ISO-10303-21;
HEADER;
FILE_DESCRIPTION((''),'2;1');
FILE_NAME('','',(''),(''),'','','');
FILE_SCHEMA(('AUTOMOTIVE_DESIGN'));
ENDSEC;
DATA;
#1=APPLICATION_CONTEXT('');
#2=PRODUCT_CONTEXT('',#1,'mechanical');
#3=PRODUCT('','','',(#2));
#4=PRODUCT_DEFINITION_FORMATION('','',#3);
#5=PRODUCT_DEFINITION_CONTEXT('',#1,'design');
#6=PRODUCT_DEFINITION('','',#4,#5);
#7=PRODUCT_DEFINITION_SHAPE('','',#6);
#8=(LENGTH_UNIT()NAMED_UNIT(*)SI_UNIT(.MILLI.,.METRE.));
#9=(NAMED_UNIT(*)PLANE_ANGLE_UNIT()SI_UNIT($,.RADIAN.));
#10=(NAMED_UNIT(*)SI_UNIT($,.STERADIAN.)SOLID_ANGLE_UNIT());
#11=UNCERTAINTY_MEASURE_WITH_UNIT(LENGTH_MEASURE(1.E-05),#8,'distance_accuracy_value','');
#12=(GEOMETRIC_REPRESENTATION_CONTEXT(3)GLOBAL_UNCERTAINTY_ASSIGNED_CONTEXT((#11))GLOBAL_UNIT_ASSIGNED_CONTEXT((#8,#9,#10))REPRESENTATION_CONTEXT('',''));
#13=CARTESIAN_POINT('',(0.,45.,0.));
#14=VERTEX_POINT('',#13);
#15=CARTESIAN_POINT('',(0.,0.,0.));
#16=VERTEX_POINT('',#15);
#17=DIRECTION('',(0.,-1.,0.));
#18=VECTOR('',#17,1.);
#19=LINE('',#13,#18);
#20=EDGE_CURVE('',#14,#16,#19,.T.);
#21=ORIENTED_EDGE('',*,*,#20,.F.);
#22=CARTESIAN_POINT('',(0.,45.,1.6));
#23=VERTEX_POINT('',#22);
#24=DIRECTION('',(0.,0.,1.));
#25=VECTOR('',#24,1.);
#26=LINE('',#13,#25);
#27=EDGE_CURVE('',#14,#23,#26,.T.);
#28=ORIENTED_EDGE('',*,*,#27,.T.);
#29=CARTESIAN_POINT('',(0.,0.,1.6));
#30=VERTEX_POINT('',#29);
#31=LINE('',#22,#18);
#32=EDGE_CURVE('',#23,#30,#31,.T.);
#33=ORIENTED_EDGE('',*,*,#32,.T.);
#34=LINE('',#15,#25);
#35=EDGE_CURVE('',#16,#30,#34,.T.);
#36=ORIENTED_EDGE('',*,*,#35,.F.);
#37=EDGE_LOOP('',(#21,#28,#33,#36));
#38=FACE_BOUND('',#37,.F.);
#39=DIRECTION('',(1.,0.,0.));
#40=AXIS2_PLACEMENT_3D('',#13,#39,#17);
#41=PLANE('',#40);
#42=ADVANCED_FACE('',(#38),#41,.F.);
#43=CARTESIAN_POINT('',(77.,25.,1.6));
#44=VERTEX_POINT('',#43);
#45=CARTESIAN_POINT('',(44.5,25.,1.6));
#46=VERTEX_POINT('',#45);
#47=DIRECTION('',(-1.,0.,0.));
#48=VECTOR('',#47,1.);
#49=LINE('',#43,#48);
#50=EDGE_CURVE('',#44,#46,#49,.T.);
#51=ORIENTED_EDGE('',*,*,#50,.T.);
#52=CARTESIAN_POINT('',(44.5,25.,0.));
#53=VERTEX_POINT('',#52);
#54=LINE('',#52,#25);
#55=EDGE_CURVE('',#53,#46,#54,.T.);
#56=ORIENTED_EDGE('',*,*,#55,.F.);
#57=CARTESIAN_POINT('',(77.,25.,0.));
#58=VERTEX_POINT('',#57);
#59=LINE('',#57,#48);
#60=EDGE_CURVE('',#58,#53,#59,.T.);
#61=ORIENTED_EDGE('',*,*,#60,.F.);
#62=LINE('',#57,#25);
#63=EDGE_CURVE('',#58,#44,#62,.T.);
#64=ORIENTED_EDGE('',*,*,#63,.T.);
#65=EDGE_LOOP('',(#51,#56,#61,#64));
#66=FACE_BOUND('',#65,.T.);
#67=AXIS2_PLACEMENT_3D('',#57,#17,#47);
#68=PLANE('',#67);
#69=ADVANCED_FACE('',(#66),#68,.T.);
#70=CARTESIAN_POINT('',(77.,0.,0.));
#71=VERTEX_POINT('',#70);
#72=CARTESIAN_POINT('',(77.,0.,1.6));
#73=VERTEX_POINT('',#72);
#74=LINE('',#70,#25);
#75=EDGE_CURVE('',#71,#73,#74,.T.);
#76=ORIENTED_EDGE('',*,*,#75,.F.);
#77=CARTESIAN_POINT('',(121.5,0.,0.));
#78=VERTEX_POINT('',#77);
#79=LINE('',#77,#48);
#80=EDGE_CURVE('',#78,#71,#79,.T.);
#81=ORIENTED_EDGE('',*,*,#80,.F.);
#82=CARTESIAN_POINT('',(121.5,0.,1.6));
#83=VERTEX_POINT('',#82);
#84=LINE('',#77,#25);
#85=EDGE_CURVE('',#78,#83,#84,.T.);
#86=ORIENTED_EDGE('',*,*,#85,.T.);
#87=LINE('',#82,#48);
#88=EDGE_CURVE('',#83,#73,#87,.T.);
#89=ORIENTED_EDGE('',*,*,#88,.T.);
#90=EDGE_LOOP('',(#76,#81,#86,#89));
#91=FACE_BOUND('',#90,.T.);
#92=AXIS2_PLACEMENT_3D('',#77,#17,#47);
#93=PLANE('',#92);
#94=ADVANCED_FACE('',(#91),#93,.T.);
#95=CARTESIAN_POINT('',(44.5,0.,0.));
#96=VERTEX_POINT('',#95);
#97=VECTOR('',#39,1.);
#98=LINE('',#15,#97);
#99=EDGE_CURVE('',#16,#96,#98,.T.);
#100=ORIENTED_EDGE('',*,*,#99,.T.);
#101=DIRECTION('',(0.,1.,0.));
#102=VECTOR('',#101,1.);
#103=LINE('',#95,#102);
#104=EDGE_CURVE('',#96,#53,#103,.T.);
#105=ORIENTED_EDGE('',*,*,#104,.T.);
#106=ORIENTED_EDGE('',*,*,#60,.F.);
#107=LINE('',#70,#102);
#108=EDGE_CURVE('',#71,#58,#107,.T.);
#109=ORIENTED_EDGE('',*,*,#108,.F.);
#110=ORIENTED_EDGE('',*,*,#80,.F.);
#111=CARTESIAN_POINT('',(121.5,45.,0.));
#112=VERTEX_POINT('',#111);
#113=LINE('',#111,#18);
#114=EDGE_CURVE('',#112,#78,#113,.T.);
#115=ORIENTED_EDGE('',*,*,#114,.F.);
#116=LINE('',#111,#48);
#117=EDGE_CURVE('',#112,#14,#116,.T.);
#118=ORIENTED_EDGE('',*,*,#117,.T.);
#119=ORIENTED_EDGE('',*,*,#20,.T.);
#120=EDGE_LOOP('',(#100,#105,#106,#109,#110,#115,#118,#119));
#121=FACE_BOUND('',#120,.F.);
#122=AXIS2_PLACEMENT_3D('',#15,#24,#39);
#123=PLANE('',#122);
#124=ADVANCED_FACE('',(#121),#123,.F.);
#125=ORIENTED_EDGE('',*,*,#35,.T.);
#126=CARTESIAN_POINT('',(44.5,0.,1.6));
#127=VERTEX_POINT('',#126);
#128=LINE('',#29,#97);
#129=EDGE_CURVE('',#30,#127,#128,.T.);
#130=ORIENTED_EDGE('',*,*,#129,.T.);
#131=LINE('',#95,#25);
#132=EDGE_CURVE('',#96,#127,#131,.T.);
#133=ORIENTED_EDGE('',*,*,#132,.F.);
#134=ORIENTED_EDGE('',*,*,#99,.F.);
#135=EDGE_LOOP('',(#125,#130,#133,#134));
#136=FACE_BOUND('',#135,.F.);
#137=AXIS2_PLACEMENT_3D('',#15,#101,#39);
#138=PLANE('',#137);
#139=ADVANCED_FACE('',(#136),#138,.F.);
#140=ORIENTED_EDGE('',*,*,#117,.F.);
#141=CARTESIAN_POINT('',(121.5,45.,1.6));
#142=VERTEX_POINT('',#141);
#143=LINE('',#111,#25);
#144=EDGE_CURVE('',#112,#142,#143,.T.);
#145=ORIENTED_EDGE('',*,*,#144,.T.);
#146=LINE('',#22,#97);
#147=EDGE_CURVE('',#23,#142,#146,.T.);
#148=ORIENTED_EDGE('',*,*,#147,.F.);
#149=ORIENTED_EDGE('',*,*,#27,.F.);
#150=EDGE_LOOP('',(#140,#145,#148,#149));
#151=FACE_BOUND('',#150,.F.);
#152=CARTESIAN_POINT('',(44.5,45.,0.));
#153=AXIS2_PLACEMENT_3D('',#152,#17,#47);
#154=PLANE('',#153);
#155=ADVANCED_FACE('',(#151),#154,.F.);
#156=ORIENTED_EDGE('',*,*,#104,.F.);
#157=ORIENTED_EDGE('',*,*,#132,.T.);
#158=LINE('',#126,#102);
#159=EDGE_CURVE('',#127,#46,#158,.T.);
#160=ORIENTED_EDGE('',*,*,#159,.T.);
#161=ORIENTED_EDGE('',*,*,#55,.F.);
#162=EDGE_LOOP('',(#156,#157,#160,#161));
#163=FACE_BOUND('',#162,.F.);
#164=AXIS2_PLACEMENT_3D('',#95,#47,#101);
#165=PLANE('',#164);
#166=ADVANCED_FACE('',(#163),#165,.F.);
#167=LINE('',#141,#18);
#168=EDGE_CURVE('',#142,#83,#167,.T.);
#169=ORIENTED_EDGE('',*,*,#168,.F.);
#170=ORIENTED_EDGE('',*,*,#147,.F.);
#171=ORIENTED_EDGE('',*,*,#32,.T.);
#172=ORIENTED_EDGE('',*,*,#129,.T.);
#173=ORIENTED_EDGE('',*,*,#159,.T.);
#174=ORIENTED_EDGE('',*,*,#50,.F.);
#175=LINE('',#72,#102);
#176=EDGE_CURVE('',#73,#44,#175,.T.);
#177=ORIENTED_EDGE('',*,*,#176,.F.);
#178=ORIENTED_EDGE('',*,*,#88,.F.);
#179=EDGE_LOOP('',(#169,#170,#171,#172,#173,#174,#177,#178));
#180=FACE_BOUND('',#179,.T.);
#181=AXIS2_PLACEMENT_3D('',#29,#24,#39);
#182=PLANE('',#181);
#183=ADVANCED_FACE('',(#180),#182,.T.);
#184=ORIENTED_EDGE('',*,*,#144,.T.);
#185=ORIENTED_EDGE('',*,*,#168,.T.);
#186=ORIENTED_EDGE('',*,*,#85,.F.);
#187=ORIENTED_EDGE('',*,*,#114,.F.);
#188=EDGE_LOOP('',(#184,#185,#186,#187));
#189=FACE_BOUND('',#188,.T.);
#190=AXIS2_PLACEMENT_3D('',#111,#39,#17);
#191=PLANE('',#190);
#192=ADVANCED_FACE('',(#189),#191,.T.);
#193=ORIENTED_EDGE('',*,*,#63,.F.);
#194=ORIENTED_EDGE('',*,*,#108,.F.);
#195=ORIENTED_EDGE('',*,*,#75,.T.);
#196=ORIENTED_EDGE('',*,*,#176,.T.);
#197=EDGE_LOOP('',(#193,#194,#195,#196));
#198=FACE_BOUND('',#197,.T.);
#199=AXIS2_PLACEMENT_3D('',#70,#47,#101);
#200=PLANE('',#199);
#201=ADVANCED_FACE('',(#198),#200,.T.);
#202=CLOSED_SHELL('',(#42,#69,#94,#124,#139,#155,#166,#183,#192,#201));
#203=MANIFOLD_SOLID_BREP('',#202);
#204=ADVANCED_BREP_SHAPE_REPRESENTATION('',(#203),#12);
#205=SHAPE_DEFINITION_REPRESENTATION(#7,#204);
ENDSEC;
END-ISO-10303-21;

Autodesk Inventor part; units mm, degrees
ref_plane "YZ Plane" through (0, 0, 0) normal (1, 0, 0) x (0, 1, 0)
ref_plane "XZ Plane" through (0, 0, 0) normal (0, 1, 0) x (-1, 0, 0)
ref_plane "XY Plane" through (0, 0, 0) normal (0, 0, 1) x (1, 0, 0)
sketch "Sketch1" plane through (0, 0, 0) normal (0, 0, 1) x (1, 0, 0)
  line L0 (0, 0) -> (44.5, 0)
  line L1 (44.5, 0) -> (44.5, 45)
  line L2 (44.5, 45) -> (0, 45)
  line L3 (0, 45) -> (0, 0)
  line L4 (44.5, 45) -> (77, 45)
  line L5 (77, 45) -> (77, 25)
  line L6 (77, 25) -> (44.5, 25)
  line L7 (44.5, 25) -> (44.5, 45)
  line L8 (77, 45) -> (121.5, 45)
  line L9 (121.5, 45) -> (121.5, 0)
  line L10 (121.5, 0) -> (77, 0)
  line L11 (77, 0) -> (77, 45)
  dimension "d11" = 44.5
  dimension "d12" = 45
  dimension "d13" = 32.5
  dimension "d14" = 20
  dimension "d15" = 44.5
  dimension "d16" = 45
extrude "Extrusion1" add sketch "Sketch1" along normal blind 1.6
properties part number "PCB"
